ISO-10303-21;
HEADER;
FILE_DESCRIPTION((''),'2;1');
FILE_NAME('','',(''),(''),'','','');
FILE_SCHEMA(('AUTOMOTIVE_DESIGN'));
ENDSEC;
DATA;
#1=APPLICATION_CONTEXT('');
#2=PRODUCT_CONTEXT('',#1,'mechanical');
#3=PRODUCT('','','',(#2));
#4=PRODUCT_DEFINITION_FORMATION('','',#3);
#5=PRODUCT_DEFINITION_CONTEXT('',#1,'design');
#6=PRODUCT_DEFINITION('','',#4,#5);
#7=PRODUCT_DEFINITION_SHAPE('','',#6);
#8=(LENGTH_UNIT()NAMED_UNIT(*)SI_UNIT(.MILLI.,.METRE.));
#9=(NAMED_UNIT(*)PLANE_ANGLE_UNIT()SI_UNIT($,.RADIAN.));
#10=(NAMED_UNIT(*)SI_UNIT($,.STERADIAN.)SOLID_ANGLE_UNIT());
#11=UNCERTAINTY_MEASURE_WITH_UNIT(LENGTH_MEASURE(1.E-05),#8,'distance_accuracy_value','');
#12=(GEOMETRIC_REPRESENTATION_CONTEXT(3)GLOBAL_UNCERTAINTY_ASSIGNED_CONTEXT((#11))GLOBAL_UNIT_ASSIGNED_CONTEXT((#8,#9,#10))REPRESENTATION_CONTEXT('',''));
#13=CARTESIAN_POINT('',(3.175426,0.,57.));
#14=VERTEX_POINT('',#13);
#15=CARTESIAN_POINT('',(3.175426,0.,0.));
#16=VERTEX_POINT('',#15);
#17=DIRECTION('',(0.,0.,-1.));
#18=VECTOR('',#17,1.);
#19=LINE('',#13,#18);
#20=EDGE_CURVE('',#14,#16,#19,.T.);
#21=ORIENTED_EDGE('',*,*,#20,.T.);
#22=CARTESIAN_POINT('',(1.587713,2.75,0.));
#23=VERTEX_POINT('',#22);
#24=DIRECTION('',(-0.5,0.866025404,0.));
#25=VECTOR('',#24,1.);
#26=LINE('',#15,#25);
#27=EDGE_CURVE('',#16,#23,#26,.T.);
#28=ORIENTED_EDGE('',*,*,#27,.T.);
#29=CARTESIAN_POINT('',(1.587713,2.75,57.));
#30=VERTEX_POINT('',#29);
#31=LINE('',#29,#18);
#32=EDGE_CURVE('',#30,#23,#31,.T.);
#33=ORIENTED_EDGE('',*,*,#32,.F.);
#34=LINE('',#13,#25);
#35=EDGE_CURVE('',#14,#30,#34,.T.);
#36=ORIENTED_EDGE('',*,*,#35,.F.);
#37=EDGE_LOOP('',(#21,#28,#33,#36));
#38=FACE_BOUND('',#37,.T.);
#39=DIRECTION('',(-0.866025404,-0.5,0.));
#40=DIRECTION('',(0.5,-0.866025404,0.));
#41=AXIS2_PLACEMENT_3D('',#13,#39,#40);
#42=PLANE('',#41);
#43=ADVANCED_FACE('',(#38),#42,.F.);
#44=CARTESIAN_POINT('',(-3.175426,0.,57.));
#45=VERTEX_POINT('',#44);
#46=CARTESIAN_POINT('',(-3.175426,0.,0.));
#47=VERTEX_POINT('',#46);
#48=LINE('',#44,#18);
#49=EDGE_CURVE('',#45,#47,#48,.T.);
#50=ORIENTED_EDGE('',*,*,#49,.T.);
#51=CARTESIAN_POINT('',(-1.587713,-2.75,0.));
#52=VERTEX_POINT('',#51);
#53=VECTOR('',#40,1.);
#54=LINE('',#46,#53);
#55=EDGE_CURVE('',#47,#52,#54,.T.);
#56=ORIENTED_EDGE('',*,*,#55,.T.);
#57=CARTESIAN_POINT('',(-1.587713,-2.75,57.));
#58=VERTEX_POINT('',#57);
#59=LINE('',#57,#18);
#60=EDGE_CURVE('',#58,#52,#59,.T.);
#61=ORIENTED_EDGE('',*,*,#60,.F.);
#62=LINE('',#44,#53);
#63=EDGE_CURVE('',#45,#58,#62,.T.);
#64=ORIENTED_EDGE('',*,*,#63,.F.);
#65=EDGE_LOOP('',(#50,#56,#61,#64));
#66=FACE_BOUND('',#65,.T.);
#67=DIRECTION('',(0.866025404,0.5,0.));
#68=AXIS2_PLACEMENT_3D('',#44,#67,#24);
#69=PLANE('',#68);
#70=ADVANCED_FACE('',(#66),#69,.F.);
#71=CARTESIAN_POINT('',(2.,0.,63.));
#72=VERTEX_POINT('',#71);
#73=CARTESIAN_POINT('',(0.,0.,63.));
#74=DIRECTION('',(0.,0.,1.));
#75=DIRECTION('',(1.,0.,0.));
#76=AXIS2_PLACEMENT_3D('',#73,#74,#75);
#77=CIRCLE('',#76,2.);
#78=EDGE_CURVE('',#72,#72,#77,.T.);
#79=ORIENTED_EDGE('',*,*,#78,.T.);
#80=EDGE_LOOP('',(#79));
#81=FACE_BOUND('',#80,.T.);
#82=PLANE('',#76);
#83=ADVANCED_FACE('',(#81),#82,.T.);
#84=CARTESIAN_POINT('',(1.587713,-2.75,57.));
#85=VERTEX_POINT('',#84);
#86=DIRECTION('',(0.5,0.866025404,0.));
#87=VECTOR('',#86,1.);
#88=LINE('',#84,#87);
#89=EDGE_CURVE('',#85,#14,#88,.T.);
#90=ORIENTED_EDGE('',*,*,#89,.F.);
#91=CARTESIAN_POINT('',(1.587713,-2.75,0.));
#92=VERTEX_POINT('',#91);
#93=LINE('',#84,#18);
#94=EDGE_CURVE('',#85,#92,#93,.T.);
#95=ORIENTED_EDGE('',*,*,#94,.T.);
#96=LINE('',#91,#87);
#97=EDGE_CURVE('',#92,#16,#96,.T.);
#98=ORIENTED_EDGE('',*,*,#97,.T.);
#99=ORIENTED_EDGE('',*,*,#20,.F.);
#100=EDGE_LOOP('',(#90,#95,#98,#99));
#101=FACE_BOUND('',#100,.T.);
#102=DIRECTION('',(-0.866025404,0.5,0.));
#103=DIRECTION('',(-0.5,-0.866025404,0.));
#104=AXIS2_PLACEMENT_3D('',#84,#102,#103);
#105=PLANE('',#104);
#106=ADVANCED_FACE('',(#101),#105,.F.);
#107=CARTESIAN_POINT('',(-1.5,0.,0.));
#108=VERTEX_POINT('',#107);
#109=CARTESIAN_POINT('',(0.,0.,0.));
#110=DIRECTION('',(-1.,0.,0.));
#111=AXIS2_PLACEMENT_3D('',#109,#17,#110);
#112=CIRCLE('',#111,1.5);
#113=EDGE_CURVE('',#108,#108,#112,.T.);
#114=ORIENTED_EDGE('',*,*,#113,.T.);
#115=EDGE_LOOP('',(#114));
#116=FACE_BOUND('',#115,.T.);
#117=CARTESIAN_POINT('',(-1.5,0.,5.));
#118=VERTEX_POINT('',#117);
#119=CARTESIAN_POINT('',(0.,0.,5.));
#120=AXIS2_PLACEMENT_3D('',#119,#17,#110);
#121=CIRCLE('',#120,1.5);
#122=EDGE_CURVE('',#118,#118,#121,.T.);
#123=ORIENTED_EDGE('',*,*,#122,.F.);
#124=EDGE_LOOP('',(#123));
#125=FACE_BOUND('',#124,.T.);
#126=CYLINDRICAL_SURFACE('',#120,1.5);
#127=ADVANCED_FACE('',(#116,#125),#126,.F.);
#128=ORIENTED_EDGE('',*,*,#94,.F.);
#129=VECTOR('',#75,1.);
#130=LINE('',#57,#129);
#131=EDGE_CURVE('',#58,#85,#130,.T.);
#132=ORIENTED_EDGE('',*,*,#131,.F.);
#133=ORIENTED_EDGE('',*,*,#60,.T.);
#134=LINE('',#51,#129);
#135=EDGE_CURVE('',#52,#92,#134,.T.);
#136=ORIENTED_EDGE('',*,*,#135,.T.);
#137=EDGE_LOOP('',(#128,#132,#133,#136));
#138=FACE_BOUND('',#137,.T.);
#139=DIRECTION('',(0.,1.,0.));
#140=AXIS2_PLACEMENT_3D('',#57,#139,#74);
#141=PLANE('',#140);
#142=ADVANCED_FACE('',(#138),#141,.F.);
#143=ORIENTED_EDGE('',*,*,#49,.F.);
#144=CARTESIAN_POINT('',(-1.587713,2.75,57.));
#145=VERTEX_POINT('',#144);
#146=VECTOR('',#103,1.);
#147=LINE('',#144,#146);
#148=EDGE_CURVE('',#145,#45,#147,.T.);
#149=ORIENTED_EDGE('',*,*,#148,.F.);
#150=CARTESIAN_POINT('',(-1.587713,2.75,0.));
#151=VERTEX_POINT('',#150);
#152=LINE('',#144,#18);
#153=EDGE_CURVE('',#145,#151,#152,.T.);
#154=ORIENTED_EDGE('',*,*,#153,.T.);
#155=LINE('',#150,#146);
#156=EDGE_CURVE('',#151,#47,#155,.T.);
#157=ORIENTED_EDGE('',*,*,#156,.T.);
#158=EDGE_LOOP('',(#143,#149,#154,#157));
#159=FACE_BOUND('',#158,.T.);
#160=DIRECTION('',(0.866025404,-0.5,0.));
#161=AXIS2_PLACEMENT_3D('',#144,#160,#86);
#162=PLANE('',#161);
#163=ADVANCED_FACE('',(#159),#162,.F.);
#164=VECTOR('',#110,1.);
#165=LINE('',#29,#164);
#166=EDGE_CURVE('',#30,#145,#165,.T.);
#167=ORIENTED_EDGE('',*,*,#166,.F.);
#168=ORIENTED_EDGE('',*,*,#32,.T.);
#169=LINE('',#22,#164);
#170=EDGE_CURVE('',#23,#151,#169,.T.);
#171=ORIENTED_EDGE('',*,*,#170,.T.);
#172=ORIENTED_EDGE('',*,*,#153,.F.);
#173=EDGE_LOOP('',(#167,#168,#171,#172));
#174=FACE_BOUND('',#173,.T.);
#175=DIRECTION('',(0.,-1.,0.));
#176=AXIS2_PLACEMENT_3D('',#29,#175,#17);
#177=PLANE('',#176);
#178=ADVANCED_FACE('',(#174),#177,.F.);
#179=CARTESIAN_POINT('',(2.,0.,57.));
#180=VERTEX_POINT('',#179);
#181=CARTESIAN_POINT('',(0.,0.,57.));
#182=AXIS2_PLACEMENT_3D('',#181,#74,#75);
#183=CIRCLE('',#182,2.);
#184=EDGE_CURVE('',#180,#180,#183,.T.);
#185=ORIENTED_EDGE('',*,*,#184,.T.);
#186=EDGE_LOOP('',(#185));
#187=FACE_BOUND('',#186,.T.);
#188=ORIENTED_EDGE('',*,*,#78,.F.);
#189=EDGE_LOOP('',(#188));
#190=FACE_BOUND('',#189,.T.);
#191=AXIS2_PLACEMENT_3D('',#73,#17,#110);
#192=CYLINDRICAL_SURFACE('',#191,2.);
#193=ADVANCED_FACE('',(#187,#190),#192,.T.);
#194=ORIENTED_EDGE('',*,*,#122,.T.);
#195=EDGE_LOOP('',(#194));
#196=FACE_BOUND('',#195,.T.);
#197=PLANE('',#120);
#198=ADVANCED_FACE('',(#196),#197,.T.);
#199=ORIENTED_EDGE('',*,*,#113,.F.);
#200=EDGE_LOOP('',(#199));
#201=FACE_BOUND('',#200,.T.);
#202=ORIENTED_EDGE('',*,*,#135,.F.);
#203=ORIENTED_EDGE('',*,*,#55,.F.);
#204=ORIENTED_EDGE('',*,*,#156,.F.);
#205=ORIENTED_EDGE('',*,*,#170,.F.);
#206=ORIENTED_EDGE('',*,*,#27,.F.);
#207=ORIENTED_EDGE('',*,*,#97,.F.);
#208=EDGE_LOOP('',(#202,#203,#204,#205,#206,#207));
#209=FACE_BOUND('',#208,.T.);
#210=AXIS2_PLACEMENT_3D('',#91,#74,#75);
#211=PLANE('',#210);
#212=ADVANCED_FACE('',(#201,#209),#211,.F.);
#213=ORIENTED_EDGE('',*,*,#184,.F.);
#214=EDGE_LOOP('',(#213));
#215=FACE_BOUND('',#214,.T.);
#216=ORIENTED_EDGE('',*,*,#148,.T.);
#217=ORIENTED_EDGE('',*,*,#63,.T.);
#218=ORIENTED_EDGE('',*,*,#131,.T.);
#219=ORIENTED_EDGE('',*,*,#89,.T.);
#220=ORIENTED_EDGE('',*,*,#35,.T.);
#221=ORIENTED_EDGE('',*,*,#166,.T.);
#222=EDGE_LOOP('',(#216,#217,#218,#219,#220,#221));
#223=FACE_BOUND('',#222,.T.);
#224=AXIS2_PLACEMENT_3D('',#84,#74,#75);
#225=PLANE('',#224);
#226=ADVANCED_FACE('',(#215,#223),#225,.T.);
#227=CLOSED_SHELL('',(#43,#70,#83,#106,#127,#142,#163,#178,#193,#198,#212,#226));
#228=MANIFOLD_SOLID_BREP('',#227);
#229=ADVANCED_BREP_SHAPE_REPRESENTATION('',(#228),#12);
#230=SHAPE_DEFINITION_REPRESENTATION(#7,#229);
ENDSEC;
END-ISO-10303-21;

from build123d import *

# Parameters (mm, degrees)
EXTRUDE_1_DEPTH     = 57
SKETCH_2_R          = 2
EXTRUDE_2_DEPTH     = 6
SKETCH_6_R          = 1.5
CUT_EXTRUDE_1_DEPTH = 5


with BuildPart() as part:
    # 草图1 → 拉伸1 (new body)
    with BuildSketch(Plane.XY):
        Polygon((1.58771324, -2.75), (3.175426481, 0), (1.58771324, 2.75), (-1.58771324, 2.75), (-3.175426481, 0), (-1.58771324, -2.75), align=None)
    extrude(amount=EXTRUDE_1_DEPTH)

    # 草图2 → 拉伸2 (add)
    with BuildSketch(Plane.XY.offset(57)):
        Circle(SKETCH_2_R)
    extrude(amount=EXTRUDE_2_DEPTH)

    # 草图6 → 切除-拉伸1 (cut)
    with BuildSketch(Plane(origin=(0, 0, 0), x_dir=(-1, 0, 0), z_dir=(0, 0, -1))):
        Circle(SKETCH_6_R)
    extrude(amount=-CUT_EXTRUDE_1_DEPTH, mode=Mode.SUBTRACT)


solid = part.part
